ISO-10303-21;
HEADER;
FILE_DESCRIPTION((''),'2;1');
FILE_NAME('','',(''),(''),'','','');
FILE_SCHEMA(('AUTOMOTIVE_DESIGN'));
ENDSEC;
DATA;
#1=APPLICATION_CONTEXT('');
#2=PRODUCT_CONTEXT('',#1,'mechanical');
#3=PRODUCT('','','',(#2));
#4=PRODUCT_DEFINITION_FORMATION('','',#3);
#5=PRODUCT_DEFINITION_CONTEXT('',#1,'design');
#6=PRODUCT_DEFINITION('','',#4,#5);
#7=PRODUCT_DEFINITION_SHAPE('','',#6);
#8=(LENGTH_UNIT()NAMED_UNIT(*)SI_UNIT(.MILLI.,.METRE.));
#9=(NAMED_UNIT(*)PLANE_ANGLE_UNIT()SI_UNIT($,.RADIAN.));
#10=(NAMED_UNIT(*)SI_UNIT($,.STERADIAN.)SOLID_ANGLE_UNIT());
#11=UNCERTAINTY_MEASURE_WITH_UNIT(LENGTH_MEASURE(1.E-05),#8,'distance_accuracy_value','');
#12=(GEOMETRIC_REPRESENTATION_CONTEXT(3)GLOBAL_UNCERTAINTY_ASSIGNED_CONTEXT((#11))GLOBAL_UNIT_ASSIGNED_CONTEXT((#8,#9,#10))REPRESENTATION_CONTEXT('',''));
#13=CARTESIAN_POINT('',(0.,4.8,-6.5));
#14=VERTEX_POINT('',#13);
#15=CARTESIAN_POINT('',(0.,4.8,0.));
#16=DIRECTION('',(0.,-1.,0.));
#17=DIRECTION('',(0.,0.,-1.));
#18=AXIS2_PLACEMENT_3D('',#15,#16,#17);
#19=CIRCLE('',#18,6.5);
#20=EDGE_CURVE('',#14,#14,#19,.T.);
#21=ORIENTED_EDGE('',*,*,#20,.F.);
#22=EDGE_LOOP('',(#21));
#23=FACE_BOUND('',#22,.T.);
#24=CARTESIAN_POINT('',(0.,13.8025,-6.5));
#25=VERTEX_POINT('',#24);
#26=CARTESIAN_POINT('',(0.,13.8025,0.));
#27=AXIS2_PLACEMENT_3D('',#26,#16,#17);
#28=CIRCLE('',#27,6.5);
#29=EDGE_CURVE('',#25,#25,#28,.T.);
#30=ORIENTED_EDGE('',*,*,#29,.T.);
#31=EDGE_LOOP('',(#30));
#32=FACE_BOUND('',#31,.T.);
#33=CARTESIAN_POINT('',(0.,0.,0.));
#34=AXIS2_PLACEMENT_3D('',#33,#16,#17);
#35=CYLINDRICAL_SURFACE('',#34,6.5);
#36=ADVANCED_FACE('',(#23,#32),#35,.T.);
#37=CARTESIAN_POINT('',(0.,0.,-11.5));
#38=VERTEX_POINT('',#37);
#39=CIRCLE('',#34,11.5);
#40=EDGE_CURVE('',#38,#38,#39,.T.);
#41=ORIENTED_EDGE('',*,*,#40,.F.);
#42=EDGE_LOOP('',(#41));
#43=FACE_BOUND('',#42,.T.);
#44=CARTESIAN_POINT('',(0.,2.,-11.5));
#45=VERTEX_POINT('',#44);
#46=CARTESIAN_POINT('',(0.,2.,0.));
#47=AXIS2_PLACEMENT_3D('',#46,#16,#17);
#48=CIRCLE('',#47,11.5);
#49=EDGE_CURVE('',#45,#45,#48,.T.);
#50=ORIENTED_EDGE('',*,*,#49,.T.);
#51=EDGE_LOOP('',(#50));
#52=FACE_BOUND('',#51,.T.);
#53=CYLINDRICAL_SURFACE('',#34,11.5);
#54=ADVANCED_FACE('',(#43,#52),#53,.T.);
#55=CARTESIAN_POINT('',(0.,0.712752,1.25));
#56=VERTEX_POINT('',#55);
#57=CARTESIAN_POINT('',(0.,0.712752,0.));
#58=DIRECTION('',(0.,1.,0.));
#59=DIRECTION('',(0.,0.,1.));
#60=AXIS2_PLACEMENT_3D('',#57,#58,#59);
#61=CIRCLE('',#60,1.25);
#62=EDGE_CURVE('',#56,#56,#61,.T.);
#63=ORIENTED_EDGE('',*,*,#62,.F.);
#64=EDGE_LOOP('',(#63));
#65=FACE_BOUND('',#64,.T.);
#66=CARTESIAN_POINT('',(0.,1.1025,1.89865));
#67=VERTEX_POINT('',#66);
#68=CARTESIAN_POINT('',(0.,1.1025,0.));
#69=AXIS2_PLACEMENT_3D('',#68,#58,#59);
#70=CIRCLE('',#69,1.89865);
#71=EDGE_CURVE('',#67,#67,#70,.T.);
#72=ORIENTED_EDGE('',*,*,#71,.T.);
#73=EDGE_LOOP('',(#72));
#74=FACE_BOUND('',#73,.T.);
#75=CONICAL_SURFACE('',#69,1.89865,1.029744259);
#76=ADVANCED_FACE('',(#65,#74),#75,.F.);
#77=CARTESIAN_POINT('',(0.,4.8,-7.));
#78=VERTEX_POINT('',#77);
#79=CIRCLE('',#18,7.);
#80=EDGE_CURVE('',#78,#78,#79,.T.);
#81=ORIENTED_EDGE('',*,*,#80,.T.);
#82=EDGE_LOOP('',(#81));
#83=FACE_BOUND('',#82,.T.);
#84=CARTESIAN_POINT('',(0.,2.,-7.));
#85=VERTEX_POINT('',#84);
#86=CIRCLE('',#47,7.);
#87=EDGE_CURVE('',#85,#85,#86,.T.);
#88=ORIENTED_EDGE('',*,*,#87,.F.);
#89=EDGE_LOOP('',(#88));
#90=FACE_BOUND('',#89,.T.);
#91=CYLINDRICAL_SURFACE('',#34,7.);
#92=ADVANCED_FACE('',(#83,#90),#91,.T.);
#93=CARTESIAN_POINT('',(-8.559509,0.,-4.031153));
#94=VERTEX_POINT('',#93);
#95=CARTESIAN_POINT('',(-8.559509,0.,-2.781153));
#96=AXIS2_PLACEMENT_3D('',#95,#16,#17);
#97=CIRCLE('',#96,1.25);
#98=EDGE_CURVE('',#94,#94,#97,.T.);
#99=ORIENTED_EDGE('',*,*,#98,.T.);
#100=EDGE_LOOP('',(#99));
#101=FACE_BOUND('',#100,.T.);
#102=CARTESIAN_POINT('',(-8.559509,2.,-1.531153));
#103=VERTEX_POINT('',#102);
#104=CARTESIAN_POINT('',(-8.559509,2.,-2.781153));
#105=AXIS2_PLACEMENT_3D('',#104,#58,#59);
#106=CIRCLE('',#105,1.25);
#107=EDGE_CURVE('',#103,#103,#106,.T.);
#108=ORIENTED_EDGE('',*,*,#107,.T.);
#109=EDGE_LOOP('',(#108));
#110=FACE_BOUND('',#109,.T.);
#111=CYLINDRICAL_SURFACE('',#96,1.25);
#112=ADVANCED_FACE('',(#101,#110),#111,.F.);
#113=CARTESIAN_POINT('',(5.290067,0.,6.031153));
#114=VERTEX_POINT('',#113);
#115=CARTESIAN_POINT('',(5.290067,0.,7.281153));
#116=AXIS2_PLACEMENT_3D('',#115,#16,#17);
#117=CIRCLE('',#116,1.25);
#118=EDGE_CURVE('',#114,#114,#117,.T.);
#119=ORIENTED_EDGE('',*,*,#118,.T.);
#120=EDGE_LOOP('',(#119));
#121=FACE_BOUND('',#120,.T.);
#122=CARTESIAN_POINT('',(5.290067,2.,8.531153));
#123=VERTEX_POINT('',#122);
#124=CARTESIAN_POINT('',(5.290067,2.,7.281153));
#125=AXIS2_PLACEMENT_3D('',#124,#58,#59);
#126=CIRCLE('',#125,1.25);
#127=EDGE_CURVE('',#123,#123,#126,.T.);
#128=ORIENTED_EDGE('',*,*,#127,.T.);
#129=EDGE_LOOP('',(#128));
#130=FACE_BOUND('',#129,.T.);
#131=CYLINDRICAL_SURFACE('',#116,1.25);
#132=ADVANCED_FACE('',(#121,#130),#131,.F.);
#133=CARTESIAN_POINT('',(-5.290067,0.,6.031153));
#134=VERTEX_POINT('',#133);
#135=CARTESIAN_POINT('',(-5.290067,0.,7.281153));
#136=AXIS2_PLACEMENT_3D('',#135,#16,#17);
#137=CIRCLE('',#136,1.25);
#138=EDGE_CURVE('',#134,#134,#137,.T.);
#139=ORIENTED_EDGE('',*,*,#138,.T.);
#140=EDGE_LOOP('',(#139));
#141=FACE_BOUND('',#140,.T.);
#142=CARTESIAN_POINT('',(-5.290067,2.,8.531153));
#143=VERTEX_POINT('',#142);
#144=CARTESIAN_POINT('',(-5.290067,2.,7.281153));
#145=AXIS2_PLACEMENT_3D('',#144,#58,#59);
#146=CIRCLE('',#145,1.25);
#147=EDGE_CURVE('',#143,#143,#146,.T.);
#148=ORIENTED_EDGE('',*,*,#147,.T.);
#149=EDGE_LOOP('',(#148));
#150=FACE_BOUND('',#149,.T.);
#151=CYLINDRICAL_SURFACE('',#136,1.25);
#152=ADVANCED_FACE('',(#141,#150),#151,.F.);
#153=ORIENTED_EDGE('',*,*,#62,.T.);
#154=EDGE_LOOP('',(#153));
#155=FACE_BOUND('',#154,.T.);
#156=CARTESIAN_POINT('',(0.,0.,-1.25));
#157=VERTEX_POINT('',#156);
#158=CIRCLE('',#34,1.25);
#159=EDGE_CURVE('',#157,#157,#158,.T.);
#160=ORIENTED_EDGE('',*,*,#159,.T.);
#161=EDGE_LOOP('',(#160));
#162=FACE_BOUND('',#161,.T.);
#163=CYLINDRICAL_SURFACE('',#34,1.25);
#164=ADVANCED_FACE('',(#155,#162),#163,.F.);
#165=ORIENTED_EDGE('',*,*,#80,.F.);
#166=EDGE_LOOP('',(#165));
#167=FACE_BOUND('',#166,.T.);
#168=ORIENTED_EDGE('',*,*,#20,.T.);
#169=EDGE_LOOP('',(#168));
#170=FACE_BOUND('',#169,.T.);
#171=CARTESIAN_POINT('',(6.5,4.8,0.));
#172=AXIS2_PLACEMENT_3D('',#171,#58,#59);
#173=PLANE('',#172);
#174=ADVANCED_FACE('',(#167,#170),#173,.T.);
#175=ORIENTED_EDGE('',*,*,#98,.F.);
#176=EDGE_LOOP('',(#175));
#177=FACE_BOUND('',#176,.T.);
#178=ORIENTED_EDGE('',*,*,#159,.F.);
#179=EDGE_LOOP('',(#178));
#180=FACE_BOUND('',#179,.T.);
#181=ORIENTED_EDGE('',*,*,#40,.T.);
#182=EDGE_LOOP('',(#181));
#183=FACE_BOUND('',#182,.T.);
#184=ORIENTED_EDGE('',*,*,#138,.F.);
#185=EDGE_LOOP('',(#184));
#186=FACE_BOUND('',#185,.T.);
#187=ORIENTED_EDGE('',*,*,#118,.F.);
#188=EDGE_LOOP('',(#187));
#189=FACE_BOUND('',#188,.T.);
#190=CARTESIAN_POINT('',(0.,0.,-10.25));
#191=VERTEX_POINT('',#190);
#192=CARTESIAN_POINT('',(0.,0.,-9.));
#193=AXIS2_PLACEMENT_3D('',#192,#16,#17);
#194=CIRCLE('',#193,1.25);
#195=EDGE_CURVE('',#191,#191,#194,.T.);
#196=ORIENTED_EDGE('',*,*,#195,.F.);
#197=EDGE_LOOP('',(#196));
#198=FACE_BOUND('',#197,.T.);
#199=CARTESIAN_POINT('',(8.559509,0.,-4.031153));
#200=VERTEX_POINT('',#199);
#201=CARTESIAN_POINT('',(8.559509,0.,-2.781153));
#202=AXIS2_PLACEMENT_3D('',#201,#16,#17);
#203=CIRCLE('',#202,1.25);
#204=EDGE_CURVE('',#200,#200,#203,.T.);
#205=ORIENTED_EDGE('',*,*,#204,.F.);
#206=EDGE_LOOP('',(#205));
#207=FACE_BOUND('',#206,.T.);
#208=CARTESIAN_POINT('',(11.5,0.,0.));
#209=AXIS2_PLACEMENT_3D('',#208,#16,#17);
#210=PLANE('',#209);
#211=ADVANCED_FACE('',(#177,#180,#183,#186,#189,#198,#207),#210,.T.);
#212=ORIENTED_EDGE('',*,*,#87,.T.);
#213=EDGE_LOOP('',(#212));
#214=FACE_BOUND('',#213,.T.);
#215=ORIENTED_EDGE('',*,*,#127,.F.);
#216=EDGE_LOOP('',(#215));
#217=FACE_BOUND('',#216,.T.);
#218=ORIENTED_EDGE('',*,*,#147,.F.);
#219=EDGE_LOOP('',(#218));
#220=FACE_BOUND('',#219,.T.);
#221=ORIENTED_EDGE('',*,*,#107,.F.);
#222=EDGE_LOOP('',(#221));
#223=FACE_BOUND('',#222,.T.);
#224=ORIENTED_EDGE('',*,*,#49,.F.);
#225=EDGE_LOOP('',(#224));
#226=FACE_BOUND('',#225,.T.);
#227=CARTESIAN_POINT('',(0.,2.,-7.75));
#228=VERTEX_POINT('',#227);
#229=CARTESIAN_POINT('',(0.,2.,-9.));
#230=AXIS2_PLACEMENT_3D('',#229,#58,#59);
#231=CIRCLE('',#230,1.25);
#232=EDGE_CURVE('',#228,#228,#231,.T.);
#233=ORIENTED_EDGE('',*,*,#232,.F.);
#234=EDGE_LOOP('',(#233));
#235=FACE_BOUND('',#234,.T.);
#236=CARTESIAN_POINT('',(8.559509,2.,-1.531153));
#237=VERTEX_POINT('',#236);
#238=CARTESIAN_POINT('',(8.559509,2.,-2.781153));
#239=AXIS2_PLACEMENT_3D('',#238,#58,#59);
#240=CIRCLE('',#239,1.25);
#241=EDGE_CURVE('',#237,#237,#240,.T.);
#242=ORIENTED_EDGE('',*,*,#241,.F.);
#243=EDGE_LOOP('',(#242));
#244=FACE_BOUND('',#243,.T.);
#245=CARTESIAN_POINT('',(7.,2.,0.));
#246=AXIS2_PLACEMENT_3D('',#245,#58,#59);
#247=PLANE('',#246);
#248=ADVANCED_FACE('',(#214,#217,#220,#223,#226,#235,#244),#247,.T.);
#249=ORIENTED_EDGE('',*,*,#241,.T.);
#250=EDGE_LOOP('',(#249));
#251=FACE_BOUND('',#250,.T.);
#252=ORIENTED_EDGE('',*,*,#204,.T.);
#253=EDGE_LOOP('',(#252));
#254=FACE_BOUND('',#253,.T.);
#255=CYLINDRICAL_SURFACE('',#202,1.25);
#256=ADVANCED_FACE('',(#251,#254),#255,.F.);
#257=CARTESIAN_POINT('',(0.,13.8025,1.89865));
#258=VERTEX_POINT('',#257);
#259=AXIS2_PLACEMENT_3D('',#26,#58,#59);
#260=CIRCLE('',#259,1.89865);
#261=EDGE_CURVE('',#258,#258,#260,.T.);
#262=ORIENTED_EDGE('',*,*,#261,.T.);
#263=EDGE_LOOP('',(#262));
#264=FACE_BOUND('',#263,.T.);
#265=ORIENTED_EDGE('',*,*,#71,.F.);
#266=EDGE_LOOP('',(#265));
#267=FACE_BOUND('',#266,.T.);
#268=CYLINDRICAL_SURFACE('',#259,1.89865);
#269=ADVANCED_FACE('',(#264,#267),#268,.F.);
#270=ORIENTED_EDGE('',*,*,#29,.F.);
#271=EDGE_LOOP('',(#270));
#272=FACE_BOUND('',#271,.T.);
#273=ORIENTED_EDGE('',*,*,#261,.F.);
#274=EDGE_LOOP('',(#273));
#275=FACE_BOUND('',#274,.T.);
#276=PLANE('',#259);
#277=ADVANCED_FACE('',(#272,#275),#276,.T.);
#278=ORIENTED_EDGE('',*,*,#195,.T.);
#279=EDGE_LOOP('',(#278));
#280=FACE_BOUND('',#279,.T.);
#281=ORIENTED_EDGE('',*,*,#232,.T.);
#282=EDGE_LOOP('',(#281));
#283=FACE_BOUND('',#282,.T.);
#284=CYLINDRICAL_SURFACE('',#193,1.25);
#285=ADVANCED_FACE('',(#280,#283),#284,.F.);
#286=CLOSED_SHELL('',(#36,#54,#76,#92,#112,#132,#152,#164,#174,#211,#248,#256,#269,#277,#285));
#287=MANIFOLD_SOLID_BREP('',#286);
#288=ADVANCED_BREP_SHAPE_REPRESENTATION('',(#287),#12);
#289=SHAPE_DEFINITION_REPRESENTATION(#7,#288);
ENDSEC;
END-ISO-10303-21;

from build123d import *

# Parameters (mm, degrees)
M3X0_5_TAPPED_HOLE1_D      = 2.5
F_10_24_TAPPED_HOLE1_D     = 3.7973
F_10_24_TAPPED_HOLE1_DEPTH = 12.7
F_10_24_TAPPED_HOLE1_TIP   = 1.140824014


with BuildPart() as part:
    # Sketch1 → Revolve1 (revolve)
    with BuildSketch(Plane.XY):
        Polygon((0, 13.8025), (6.5, 13.8025), (6.5, 4.8), (7, 4.8), (7, 2), (11.5, 2), (11.5, 0), (0, 0), align=None)
    revolve(axis=Axis((0, 0, 0), (0, 1, 0)))

    # M3x0.5 Tapped Hole1 (through all)
    with Locations(Plane(origin=(0, 0, 0), x_dir=(-1, 0, 0), z_dir=(0, -1, 0))):
        with Locations((0, 9), (8.559508647, 2.781152949), (5.290067271, -7.281152949), (-5.290067271, -7.281152949), (-8.559508647, 2.781152949), (0, 0)):
            Hole(M3X0_5_TAPPED_HOLE1_D / 2)

    # #10-24 Tapped Hole1
    with Locations(Plane(origin=(0, 13.8025, 0), x_dir=(1, 0, 0), z_dir=(0, 1, 0))):
        with Locations((0, 0)):
            Hole(F_10_24_TAPPED_HOLE1_D / 2, depth=F_10_24_TAPPED_HOLE1_DEPTH)
            with Locations((0, 0, -(F_10_24_TAPPED_HOLE1_DEPTH + F_10_24_TAPPED_HOLE1_TIP / 2))):  # 118° drill point
                Cone(0, F_10_24_TAPPED_HOLE1_D / 2, F_10_24_TAPPED_HOLE1_TIP, mode=Mode.SUBTRACT)


solid = part.part
